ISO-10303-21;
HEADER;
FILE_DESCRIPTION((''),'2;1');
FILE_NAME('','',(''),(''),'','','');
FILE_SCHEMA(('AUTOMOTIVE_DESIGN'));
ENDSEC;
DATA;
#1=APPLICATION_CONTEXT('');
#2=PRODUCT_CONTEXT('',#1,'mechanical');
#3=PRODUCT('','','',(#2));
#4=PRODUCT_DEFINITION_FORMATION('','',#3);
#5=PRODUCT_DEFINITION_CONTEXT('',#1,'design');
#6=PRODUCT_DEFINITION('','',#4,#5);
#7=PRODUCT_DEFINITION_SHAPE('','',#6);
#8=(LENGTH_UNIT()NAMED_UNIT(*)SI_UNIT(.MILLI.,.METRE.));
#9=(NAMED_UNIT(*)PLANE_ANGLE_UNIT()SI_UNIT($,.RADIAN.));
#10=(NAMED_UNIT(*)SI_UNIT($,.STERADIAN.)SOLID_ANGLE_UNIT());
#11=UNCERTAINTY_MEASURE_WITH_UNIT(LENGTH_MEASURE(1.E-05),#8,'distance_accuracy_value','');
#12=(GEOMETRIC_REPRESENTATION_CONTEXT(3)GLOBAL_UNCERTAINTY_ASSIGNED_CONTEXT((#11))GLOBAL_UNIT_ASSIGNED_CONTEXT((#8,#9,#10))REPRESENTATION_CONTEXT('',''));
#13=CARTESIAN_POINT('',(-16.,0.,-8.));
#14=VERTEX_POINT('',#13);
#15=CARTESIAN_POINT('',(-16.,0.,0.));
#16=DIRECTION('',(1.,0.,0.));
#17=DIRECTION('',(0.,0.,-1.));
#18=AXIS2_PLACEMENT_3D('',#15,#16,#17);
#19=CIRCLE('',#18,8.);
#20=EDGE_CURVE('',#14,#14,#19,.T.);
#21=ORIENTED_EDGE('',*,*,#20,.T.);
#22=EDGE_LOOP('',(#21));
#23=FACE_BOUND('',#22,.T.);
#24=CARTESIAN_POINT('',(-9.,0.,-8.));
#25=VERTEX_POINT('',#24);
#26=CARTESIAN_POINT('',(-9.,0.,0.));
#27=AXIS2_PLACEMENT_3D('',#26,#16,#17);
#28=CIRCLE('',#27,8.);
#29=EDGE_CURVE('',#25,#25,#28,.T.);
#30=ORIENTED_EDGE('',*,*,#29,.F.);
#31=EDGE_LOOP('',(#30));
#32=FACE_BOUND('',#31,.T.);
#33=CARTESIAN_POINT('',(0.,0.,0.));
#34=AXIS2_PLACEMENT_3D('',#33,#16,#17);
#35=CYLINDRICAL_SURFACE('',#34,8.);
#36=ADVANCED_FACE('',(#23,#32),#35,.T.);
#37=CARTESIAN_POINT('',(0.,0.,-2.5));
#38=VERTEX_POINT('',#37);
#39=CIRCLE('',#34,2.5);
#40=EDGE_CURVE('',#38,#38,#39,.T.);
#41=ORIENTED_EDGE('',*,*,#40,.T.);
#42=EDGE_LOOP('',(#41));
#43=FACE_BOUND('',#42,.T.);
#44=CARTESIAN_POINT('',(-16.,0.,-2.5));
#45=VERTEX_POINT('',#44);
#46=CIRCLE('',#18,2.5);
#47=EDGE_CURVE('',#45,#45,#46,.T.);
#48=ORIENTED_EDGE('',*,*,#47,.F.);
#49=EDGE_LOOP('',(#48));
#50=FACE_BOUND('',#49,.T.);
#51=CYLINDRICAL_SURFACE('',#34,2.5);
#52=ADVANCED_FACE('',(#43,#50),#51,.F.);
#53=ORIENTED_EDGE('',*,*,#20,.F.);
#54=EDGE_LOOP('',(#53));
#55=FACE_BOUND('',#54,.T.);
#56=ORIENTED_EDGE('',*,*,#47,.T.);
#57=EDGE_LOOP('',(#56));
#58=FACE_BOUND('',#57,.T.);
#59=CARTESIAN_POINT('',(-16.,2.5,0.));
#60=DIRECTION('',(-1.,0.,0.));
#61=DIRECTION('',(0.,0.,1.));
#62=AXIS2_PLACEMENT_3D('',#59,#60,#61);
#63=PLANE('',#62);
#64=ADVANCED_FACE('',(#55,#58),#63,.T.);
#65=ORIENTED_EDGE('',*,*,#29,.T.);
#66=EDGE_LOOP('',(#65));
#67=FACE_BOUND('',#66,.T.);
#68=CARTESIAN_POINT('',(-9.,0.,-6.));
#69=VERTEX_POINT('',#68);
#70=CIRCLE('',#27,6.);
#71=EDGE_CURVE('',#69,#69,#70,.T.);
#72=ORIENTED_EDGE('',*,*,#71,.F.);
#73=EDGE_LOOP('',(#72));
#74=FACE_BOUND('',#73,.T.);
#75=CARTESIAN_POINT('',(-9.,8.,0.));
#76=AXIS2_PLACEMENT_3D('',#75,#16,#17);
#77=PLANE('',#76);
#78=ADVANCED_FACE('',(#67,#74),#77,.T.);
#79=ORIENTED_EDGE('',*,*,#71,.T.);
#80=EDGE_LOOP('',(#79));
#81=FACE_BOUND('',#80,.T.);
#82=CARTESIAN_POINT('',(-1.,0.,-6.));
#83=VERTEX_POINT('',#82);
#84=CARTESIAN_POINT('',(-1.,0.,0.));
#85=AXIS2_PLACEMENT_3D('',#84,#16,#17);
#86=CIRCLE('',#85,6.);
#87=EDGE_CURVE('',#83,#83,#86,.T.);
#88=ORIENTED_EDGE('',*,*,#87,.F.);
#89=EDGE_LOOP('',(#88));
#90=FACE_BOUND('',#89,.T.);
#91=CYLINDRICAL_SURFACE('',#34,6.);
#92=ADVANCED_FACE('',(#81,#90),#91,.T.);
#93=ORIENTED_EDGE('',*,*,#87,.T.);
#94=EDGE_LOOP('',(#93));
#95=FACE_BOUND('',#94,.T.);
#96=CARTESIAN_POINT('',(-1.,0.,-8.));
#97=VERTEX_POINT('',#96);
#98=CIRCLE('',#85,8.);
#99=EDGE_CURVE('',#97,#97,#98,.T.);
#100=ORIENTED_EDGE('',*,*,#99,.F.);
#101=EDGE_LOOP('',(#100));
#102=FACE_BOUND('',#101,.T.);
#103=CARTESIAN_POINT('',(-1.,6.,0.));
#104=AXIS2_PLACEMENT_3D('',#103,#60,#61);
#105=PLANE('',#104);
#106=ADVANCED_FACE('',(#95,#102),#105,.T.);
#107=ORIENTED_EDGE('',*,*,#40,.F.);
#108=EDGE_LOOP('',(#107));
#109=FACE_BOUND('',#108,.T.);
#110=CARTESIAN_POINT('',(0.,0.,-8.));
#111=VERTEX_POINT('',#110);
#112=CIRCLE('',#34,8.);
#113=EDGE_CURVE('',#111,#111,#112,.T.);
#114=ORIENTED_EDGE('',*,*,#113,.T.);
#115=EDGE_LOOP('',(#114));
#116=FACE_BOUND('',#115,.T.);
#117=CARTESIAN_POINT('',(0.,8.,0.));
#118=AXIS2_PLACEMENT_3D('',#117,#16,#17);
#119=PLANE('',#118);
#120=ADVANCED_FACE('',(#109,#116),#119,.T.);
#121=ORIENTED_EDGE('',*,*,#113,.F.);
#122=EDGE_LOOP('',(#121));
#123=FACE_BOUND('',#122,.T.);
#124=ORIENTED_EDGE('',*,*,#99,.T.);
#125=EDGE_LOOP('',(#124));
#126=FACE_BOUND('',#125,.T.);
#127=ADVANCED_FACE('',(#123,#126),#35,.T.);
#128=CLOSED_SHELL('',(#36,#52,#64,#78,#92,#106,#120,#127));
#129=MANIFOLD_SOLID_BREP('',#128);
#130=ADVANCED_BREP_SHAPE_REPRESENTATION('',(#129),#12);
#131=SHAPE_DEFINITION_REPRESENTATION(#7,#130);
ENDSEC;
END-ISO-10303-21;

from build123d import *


with BuildPart() as part:
    # 草圖1 → 旋轉1 (revolve)
    with BuildSketch(Plane.XY, mode=Mode.PRIVATE) as revolve_1_sk:
        Polygon((0, 2.5), (-16, 2.5), (-16, 8), (-9, 8), (-9, 6), (-1, 6), (-1, 8), (0, 8), align=None)
    revolve(revolve_1_sk.sketch.rotate(Axis((0, 0, 0), (-1, 0, 0)), 90), axis=Axis((0, 0, 0), (-1, 0, 0)))


solid = part.part
